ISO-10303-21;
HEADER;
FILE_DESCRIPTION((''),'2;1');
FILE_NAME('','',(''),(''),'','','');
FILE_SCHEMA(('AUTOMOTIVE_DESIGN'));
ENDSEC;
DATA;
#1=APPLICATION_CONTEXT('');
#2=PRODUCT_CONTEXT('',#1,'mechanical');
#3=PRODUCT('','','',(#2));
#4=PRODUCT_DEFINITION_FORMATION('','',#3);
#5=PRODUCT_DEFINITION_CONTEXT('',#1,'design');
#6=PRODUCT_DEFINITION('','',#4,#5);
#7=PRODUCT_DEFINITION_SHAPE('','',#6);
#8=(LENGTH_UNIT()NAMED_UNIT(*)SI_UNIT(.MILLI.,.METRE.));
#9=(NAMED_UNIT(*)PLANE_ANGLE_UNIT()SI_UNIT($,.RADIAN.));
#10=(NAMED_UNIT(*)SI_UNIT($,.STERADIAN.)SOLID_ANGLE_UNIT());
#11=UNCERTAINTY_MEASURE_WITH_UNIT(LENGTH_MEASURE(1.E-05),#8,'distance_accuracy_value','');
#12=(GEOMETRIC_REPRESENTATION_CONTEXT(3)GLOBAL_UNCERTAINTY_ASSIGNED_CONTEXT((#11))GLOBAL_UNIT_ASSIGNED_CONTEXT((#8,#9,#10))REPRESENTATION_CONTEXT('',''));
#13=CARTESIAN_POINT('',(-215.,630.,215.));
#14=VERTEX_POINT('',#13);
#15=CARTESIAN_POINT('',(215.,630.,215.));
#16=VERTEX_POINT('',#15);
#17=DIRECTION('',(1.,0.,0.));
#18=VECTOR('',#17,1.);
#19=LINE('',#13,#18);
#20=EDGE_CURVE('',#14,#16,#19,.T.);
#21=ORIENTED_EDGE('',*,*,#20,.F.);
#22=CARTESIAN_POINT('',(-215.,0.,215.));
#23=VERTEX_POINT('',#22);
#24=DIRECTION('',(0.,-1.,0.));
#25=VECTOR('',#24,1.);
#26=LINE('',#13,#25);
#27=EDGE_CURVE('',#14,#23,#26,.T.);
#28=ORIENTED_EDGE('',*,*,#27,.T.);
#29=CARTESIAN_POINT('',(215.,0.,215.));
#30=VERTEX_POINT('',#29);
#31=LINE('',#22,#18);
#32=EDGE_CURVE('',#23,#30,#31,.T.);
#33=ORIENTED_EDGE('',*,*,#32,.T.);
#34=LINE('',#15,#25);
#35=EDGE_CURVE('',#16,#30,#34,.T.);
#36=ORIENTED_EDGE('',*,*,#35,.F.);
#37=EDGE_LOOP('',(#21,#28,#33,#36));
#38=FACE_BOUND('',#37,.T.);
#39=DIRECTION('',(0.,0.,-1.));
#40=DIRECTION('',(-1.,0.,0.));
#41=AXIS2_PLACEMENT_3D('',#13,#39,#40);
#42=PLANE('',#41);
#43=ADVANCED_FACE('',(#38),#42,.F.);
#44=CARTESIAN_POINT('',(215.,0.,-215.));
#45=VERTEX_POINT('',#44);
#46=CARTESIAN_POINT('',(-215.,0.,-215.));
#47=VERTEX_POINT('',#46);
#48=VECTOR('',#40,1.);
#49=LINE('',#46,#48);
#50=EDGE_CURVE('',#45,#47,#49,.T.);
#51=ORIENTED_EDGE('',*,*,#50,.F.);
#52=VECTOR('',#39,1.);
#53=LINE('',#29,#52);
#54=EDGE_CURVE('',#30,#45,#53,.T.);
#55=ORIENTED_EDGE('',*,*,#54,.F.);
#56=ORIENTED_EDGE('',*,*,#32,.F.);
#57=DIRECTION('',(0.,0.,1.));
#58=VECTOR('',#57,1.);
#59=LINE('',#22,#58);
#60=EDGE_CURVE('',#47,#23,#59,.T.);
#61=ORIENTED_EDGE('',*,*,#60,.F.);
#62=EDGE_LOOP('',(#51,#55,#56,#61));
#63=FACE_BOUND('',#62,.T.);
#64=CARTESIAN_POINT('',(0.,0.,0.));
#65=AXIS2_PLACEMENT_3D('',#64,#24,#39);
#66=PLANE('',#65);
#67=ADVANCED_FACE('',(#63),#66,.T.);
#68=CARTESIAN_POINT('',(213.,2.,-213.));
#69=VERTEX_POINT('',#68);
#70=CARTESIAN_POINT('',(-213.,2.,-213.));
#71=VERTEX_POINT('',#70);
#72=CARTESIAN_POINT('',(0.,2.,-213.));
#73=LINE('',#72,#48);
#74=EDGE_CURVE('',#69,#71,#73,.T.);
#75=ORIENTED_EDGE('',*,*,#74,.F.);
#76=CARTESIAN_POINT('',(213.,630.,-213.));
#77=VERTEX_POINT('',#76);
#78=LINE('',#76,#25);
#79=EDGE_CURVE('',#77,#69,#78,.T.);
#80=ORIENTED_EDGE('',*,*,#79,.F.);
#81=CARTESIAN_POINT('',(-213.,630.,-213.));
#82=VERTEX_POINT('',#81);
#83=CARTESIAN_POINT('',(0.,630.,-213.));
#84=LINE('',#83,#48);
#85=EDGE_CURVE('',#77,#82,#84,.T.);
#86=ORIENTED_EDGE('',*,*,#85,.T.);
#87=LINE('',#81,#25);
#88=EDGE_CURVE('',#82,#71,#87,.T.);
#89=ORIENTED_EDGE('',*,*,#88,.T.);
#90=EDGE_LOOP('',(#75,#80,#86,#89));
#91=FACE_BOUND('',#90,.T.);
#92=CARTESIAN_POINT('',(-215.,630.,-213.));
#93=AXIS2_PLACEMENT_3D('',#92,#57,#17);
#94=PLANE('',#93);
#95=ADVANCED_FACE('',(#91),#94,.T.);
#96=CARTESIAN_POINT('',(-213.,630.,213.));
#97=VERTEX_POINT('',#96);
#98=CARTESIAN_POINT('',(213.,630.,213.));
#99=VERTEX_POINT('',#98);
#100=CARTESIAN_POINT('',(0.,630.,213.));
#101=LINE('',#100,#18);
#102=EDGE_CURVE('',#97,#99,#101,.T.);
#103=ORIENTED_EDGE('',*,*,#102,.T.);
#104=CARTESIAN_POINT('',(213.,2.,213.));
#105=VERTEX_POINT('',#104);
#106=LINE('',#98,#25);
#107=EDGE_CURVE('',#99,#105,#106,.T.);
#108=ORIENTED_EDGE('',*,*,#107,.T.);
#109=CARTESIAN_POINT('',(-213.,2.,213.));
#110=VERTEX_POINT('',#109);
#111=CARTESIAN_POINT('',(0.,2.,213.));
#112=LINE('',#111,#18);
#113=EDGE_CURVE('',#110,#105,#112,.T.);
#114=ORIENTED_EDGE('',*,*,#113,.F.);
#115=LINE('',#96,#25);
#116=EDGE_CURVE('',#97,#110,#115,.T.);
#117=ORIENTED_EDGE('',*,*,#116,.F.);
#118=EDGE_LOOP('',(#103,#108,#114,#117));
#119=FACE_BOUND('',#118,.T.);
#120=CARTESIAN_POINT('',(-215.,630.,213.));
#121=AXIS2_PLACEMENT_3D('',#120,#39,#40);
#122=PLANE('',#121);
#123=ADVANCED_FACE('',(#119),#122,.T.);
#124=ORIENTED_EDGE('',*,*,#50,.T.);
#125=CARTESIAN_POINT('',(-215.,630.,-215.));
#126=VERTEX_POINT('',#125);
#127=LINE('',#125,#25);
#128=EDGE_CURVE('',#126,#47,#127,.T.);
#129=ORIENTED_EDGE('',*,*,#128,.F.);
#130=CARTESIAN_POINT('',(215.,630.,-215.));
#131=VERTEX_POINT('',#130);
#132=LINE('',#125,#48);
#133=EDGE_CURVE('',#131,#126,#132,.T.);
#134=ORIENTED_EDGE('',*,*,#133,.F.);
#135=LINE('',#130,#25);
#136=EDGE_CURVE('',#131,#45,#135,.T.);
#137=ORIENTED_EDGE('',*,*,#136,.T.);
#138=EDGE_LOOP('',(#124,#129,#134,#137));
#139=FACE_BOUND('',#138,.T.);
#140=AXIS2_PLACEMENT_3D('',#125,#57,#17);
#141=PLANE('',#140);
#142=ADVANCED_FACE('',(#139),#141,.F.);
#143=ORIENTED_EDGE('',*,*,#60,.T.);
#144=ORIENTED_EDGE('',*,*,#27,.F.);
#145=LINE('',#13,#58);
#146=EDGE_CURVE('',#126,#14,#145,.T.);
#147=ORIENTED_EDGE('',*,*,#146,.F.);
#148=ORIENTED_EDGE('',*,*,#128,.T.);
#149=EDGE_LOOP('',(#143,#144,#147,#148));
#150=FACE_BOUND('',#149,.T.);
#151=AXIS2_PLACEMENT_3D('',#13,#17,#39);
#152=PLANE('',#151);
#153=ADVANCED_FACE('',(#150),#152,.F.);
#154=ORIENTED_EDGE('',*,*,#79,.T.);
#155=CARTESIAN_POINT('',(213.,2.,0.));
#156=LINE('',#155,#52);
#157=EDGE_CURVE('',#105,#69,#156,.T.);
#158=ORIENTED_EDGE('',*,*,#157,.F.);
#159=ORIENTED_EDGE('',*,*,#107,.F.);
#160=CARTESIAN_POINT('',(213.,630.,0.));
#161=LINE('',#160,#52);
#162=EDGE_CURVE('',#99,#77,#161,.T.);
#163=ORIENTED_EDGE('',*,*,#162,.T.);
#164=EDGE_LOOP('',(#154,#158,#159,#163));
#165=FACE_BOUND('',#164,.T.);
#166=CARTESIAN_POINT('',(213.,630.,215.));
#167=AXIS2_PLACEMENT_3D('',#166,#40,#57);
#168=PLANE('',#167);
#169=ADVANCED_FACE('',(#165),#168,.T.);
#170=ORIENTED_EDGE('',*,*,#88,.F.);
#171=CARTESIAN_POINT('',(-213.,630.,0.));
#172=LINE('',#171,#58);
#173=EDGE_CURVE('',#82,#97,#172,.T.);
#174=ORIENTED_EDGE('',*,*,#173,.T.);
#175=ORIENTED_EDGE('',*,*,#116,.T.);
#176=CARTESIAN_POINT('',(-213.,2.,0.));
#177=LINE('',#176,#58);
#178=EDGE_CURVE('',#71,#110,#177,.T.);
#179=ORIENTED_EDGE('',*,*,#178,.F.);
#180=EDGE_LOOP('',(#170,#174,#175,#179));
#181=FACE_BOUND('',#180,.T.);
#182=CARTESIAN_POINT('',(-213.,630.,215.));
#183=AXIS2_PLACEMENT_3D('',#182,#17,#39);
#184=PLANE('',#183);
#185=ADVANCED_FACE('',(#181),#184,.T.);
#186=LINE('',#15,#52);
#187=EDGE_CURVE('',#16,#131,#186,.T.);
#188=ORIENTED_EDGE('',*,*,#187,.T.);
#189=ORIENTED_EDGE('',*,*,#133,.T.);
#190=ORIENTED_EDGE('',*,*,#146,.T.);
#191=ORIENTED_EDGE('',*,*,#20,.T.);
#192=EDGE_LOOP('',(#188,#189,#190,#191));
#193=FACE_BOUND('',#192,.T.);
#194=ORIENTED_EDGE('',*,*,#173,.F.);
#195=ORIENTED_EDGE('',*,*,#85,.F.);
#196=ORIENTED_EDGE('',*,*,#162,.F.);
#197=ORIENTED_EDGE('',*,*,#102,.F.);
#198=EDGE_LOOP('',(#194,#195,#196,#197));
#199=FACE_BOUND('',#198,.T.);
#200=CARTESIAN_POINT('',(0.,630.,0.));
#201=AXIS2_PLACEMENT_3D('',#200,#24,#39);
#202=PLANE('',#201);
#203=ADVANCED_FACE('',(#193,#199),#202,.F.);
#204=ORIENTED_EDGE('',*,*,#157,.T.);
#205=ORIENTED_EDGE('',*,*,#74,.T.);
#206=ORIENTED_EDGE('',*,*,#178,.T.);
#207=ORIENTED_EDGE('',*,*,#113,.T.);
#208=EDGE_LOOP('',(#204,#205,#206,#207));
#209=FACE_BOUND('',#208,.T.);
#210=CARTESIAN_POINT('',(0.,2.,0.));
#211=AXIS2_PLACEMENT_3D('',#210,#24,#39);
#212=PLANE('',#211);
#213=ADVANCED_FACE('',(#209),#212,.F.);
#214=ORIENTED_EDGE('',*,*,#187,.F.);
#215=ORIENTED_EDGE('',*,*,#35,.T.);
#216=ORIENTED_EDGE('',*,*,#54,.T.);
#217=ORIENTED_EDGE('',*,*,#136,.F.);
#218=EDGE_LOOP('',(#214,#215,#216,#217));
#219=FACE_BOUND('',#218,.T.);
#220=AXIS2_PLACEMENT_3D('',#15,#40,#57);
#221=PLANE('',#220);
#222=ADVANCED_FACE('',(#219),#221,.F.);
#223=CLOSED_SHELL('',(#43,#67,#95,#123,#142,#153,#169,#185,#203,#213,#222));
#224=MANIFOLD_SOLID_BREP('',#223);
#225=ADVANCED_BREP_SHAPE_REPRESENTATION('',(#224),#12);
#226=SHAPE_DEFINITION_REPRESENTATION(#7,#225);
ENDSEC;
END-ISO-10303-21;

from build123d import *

# Parameters (mm, degrees)
SKETCH1_W           = 430
SKETCH1_H           = 430
BOSS_EXTRUDE1_DEPTH = 630
SHELL1_T            = -2


with BuildPart() as part:
    # Sketch1 → Boss-Extrude1 (new body)
    with BuildSketch(Plane(origin=(0, 0, 0), x_dir=(1, 0, 0), z_dir=(0, 1, 0))):
        Rectangle(SKETCH1_W, SKETCH1_H)
    extrude(amount=BOSS_EXTRUDE1_DEPTH)

    # Shell1
    shell1_openings = [part.faces().sort_by_distance(p)[0] for p in [
        (0, 630, 0),
    ]]
    offset(amount=SHELL1_T, openings=shell1_openings, kind=Kind.INTERSECTION)


solid = part.part
